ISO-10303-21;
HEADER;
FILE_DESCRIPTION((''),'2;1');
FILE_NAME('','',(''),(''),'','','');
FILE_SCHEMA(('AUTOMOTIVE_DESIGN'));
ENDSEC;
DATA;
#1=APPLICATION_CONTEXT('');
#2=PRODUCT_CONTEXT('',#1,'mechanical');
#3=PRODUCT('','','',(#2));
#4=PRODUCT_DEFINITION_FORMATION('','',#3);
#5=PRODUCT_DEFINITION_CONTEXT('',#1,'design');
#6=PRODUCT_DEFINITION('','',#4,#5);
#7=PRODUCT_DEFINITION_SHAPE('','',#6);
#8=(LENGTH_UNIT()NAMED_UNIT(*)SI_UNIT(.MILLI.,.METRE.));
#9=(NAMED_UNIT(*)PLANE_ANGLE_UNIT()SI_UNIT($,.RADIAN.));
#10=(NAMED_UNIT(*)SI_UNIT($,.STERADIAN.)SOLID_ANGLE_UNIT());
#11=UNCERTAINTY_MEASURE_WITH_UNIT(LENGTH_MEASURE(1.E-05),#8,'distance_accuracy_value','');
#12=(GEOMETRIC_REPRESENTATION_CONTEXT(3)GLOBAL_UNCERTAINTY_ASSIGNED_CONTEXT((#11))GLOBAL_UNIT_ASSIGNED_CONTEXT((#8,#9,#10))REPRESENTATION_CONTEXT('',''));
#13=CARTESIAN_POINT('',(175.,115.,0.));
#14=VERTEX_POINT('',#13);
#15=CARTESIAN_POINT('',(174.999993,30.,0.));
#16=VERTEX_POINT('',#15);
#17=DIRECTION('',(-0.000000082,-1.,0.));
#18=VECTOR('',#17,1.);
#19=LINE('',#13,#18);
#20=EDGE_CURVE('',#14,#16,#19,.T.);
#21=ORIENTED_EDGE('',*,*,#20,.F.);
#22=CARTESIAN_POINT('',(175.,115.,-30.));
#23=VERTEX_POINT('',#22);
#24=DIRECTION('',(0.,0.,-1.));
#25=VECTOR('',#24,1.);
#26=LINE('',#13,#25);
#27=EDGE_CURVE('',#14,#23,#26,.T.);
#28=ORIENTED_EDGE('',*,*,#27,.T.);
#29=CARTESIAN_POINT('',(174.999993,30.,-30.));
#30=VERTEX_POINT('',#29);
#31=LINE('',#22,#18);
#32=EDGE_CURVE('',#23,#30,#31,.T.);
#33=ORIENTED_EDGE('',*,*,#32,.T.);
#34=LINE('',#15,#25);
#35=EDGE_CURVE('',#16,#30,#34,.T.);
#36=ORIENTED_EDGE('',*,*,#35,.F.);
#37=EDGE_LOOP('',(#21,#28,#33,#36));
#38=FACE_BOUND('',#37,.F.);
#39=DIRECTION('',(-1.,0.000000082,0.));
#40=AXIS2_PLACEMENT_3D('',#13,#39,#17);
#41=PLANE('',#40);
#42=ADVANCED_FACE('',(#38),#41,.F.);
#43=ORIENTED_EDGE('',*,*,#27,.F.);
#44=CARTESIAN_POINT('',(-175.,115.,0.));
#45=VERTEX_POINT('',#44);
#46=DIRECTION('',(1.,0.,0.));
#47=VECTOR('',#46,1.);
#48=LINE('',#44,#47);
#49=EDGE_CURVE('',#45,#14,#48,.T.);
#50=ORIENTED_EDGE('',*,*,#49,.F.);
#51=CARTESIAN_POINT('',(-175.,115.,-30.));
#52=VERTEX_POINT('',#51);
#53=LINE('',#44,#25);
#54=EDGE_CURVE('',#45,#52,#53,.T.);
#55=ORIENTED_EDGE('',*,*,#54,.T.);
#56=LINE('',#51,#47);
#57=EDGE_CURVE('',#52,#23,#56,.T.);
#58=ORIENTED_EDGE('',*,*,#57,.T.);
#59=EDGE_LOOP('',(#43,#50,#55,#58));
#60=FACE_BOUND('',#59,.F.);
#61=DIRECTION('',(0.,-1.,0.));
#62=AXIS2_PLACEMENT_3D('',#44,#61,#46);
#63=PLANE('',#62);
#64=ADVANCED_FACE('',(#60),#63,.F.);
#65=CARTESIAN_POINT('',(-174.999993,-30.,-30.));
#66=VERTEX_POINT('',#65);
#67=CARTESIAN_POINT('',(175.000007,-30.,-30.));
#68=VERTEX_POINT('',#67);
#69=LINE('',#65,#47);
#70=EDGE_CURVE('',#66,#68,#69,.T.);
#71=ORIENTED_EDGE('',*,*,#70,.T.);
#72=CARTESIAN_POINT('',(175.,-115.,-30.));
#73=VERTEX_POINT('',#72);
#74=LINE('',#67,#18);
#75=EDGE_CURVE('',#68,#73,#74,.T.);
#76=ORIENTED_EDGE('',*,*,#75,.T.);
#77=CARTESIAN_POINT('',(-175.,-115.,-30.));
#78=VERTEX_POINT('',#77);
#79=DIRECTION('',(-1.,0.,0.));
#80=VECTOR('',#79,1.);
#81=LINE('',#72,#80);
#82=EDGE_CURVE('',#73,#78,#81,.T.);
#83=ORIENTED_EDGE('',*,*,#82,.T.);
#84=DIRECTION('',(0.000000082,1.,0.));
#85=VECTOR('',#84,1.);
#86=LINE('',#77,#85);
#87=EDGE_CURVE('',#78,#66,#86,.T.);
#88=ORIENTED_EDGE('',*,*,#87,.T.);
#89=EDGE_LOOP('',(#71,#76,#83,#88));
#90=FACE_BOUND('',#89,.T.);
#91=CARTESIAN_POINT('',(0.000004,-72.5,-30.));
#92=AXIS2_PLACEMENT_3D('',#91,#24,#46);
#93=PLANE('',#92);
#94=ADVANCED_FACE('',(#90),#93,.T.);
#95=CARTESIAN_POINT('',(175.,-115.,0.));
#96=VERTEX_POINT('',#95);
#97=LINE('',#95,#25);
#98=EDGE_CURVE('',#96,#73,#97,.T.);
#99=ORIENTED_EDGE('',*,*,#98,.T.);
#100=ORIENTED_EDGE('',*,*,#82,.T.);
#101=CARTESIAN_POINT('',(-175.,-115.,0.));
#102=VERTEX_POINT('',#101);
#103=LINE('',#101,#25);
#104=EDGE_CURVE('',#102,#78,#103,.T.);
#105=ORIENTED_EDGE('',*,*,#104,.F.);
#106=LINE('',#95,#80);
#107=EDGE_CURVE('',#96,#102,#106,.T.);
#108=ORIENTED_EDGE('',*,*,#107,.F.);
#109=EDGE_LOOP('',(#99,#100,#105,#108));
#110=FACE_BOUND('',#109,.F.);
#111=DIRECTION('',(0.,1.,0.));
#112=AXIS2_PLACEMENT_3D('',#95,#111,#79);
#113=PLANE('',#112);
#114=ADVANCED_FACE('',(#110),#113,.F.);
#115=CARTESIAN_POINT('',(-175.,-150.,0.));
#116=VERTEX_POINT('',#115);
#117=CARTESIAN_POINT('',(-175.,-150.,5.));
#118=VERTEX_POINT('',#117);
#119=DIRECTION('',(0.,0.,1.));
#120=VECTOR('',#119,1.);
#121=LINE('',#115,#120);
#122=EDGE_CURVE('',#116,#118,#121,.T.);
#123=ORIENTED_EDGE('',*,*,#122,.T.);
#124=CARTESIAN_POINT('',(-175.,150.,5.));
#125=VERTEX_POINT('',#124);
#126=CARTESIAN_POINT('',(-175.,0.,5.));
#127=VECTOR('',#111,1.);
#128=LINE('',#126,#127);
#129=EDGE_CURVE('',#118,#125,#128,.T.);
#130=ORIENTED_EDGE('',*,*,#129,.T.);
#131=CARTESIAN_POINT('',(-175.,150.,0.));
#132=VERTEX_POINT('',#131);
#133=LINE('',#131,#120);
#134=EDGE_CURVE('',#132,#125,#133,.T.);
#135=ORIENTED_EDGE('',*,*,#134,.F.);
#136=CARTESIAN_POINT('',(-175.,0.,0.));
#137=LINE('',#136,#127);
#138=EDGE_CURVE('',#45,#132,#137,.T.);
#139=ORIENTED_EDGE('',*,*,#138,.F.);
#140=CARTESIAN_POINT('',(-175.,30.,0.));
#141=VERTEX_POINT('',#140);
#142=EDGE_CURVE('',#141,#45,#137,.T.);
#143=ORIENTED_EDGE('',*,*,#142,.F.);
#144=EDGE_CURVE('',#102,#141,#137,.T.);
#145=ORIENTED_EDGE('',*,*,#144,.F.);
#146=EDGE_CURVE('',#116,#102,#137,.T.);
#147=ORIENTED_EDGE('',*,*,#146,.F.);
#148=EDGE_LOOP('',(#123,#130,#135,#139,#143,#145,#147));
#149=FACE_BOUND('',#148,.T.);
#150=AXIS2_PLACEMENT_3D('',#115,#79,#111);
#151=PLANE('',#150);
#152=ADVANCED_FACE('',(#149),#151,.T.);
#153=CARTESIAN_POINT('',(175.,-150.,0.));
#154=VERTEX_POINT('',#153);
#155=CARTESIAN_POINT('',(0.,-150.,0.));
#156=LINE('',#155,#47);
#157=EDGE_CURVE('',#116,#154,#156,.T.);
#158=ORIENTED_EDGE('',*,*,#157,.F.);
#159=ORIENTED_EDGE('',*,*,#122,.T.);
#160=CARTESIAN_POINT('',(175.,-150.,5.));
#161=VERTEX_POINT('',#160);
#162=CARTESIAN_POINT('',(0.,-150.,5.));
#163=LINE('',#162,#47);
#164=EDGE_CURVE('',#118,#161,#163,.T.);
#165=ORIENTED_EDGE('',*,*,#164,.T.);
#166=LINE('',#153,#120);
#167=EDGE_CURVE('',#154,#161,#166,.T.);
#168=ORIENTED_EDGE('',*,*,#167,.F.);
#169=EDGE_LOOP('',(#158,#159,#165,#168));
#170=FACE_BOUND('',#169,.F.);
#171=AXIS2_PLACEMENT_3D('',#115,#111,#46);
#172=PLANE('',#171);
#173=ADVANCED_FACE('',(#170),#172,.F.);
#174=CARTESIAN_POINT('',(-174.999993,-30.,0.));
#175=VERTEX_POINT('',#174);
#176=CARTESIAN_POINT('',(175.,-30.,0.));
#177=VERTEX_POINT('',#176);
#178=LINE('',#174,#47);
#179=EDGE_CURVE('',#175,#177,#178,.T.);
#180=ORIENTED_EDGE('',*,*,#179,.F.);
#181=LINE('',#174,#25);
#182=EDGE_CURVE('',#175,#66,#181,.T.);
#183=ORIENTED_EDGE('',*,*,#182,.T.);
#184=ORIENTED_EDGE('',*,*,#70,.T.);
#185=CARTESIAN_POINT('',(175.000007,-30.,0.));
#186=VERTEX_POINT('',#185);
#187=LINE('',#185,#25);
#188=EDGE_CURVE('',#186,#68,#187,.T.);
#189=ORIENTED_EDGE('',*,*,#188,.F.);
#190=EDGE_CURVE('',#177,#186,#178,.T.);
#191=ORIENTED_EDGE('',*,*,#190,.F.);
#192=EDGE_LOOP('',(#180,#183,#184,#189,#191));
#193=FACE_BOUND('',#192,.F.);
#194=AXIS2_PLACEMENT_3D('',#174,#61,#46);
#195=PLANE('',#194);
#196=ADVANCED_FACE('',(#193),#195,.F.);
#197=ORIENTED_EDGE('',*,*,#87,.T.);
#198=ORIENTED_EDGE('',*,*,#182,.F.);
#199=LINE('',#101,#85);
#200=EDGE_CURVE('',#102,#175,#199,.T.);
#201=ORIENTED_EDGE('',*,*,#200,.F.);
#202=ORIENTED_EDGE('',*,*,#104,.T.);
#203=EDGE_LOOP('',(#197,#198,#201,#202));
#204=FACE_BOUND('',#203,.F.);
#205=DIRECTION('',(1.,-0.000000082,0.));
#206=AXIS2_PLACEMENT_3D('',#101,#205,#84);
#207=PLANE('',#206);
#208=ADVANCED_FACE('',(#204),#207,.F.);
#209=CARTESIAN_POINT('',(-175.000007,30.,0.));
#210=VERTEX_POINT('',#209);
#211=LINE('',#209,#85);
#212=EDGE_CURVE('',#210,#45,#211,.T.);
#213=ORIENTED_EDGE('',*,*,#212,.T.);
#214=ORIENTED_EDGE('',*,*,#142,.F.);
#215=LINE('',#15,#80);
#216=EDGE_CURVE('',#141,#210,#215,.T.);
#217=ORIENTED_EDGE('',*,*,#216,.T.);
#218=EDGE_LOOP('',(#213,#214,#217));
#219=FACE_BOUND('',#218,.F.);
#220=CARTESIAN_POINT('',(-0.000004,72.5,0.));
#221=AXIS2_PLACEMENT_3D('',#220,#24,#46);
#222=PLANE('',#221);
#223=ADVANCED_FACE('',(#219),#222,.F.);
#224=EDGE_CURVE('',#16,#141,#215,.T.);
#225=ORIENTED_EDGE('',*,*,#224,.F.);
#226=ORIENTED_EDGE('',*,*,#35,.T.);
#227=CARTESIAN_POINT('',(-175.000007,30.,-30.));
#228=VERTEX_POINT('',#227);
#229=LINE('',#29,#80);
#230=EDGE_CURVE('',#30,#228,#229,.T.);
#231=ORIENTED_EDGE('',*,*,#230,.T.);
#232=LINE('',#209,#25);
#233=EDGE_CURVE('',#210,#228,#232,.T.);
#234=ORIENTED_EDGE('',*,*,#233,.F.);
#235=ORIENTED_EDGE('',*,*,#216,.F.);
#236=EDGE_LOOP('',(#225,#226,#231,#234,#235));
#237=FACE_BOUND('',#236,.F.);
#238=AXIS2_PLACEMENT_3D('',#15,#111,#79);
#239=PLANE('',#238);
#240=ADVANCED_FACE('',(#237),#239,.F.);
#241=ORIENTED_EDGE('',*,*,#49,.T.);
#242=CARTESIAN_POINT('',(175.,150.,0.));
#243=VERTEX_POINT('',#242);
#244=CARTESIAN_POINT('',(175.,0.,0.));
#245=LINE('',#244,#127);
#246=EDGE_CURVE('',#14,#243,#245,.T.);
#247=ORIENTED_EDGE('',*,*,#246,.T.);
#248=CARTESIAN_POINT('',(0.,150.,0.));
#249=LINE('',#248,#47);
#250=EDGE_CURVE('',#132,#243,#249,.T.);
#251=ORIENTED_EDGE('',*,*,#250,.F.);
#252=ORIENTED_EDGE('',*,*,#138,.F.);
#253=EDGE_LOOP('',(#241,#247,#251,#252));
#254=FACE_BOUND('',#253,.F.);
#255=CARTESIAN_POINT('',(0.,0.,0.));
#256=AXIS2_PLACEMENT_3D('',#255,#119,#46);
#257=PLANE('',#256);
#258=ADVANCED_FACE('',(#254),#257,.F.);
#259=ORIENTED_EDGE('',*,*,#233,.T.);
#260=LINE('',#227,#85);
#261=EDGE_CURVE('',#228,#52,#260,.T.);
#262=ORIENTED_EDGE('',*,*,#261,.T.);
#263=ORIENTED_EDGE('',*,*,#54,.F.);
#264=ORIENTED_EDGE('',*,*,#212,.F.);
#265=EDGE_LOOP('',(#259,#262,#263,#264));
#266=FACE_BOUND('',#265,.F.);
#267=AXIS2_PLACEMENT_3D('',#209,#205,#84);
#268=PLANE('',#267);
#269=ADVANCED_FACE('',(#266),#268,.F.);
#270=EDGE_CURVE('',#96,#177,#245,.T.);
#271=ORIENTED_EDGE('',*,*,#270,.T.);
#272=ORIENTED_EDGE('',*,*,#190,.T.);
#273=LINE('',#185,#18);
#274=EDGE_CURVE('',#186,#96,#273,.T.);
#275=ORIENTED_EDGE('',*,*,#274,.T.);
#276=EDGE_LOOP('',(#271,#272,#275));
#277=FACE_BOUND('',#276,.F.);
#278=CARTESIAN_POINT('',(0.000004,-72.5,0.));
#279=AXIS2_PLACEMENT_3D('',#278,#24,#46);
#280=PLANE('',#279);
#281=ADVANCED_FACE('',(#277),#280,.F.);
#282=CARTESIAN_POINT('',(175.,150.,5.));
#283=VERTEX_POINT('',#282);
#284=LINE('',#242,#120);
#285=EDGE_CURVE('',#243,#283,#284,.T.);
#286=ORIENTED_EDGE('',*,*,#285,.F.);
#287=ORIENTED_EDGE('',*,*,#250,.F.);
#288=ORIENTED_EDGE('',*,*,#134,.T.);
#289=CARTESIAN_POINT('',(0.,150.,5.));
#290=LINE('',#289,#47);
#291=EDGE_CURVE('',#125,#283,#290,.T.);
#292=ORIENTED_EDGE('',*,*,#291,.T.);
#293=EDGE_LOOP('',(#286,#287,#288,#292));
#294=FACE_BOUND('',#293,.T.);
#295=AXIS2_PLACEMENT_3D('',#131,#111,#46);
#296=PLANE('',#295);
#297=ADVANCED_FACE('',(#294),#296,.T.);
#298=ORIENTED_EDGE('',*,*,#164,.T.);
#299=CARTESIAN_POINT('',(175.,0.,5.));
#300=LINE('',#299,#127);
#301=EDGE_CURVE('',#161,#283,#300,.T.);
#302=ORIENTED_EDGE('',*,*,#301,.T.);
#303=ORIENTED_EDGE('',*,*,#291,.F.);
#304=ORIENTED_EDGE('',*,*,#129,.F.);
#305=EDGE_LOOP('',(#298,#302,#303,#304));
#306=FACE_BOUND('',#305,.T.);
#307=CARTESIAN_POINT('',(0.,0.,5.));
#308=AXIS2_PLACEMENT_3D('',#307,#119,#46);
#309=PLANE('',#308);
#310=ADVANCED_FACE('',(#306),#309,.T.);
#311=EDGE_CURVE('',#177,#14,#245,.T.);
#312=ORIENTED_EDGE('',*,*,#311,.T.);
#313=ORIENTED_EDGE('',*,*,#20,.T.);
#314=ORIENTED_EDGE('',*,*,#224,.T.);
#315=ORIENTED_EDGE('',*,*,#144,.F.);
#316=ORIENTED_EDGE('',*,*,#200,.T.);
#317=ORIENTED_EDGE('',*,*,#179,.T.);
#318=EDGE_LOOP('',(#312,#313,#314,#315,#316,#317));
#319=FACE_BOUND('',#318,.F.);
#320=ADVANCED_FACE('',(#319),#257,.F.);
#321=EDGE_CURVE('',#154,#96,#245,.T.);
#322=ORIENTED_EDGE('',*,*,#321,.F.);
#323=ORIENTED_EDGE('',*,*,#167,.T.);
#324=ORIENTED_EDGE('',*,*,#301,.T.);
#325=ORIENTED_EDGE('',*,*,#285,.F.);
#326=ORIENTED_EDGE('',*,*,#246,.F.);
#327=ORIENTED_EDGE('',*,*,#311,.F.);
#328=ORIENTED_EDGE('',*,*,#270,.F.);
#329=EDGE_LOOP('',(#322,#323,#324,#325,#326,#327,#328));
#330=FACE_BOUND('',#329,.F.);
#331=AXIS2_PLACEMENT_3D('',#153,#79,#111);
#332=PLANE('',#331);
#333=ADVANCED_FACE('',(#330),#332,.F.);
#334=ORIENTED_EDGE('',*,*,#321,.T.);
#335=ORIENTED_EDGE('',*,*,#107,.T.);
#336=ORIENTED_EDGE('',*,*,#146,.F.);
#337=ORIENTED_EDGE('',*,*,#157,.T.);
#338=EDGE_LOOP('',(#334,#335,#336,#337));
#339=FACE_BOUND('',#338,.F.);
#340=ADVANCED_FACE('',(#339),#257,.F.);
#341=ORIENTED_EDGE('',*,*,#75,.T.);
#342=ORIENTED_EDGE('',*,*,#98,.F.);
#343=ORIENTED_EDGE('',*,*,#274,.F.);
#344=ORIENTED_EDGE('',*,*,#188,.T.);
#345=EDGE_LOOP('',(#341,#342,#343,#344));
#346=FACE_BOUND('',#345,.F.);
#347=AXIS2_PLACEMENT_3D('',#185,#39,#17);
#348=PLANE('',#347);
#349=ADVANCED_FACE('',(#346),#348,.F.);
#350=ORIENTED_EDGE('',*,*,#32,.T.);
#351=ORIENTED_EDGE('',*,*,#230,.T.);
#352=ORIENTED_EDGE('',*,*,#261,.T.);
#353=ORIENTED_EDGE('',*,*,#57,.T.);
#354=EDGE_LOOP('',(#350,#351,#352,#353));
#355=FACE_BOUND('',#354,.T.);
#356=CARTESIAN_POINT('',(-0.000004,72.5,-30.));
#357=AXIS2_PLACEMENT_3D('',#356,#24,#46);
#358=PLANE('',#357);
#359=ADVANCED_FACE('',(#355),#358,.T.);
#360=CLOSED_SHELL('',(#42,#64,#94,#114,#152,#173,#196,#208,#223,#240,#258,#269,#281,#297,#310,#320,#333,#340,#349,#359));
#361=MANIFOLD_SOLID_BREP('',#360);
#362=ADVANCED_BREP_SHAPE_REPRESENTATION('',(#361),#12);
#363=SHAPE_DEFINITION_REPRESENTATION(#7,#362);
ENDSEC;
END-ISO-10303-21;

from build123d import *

# Parameters (mm, degrees)
F0_W     = 350
F0_H     = 300
F1_DEPTH = 5
F3_DEPTH = 30


with BuildPart() as f1:
    # F0 (on Top) → F1 (new body)
    with BuildSketch(Plane.XY):
        Rectangle(F0_W, F0_H)
    extrude(amount=F1_DEPTH)

    # F2 (on face) → F3 (join)
    with BuildSketch(Plane(origin=(0, 0, 0), x_dir=(1, 0, 0), z_dir=(0, 0, -1))):
        Polygon((175.000007, 30), (175, 115), (-175, 115), (-174.999993, 30), align=None)
        Polygon((-175, -115), (175, -115), (174.999993, -30), (-175.000007, -30), align=None)
    extrude(amount=F3_DEPTH)


solid = f1.part
